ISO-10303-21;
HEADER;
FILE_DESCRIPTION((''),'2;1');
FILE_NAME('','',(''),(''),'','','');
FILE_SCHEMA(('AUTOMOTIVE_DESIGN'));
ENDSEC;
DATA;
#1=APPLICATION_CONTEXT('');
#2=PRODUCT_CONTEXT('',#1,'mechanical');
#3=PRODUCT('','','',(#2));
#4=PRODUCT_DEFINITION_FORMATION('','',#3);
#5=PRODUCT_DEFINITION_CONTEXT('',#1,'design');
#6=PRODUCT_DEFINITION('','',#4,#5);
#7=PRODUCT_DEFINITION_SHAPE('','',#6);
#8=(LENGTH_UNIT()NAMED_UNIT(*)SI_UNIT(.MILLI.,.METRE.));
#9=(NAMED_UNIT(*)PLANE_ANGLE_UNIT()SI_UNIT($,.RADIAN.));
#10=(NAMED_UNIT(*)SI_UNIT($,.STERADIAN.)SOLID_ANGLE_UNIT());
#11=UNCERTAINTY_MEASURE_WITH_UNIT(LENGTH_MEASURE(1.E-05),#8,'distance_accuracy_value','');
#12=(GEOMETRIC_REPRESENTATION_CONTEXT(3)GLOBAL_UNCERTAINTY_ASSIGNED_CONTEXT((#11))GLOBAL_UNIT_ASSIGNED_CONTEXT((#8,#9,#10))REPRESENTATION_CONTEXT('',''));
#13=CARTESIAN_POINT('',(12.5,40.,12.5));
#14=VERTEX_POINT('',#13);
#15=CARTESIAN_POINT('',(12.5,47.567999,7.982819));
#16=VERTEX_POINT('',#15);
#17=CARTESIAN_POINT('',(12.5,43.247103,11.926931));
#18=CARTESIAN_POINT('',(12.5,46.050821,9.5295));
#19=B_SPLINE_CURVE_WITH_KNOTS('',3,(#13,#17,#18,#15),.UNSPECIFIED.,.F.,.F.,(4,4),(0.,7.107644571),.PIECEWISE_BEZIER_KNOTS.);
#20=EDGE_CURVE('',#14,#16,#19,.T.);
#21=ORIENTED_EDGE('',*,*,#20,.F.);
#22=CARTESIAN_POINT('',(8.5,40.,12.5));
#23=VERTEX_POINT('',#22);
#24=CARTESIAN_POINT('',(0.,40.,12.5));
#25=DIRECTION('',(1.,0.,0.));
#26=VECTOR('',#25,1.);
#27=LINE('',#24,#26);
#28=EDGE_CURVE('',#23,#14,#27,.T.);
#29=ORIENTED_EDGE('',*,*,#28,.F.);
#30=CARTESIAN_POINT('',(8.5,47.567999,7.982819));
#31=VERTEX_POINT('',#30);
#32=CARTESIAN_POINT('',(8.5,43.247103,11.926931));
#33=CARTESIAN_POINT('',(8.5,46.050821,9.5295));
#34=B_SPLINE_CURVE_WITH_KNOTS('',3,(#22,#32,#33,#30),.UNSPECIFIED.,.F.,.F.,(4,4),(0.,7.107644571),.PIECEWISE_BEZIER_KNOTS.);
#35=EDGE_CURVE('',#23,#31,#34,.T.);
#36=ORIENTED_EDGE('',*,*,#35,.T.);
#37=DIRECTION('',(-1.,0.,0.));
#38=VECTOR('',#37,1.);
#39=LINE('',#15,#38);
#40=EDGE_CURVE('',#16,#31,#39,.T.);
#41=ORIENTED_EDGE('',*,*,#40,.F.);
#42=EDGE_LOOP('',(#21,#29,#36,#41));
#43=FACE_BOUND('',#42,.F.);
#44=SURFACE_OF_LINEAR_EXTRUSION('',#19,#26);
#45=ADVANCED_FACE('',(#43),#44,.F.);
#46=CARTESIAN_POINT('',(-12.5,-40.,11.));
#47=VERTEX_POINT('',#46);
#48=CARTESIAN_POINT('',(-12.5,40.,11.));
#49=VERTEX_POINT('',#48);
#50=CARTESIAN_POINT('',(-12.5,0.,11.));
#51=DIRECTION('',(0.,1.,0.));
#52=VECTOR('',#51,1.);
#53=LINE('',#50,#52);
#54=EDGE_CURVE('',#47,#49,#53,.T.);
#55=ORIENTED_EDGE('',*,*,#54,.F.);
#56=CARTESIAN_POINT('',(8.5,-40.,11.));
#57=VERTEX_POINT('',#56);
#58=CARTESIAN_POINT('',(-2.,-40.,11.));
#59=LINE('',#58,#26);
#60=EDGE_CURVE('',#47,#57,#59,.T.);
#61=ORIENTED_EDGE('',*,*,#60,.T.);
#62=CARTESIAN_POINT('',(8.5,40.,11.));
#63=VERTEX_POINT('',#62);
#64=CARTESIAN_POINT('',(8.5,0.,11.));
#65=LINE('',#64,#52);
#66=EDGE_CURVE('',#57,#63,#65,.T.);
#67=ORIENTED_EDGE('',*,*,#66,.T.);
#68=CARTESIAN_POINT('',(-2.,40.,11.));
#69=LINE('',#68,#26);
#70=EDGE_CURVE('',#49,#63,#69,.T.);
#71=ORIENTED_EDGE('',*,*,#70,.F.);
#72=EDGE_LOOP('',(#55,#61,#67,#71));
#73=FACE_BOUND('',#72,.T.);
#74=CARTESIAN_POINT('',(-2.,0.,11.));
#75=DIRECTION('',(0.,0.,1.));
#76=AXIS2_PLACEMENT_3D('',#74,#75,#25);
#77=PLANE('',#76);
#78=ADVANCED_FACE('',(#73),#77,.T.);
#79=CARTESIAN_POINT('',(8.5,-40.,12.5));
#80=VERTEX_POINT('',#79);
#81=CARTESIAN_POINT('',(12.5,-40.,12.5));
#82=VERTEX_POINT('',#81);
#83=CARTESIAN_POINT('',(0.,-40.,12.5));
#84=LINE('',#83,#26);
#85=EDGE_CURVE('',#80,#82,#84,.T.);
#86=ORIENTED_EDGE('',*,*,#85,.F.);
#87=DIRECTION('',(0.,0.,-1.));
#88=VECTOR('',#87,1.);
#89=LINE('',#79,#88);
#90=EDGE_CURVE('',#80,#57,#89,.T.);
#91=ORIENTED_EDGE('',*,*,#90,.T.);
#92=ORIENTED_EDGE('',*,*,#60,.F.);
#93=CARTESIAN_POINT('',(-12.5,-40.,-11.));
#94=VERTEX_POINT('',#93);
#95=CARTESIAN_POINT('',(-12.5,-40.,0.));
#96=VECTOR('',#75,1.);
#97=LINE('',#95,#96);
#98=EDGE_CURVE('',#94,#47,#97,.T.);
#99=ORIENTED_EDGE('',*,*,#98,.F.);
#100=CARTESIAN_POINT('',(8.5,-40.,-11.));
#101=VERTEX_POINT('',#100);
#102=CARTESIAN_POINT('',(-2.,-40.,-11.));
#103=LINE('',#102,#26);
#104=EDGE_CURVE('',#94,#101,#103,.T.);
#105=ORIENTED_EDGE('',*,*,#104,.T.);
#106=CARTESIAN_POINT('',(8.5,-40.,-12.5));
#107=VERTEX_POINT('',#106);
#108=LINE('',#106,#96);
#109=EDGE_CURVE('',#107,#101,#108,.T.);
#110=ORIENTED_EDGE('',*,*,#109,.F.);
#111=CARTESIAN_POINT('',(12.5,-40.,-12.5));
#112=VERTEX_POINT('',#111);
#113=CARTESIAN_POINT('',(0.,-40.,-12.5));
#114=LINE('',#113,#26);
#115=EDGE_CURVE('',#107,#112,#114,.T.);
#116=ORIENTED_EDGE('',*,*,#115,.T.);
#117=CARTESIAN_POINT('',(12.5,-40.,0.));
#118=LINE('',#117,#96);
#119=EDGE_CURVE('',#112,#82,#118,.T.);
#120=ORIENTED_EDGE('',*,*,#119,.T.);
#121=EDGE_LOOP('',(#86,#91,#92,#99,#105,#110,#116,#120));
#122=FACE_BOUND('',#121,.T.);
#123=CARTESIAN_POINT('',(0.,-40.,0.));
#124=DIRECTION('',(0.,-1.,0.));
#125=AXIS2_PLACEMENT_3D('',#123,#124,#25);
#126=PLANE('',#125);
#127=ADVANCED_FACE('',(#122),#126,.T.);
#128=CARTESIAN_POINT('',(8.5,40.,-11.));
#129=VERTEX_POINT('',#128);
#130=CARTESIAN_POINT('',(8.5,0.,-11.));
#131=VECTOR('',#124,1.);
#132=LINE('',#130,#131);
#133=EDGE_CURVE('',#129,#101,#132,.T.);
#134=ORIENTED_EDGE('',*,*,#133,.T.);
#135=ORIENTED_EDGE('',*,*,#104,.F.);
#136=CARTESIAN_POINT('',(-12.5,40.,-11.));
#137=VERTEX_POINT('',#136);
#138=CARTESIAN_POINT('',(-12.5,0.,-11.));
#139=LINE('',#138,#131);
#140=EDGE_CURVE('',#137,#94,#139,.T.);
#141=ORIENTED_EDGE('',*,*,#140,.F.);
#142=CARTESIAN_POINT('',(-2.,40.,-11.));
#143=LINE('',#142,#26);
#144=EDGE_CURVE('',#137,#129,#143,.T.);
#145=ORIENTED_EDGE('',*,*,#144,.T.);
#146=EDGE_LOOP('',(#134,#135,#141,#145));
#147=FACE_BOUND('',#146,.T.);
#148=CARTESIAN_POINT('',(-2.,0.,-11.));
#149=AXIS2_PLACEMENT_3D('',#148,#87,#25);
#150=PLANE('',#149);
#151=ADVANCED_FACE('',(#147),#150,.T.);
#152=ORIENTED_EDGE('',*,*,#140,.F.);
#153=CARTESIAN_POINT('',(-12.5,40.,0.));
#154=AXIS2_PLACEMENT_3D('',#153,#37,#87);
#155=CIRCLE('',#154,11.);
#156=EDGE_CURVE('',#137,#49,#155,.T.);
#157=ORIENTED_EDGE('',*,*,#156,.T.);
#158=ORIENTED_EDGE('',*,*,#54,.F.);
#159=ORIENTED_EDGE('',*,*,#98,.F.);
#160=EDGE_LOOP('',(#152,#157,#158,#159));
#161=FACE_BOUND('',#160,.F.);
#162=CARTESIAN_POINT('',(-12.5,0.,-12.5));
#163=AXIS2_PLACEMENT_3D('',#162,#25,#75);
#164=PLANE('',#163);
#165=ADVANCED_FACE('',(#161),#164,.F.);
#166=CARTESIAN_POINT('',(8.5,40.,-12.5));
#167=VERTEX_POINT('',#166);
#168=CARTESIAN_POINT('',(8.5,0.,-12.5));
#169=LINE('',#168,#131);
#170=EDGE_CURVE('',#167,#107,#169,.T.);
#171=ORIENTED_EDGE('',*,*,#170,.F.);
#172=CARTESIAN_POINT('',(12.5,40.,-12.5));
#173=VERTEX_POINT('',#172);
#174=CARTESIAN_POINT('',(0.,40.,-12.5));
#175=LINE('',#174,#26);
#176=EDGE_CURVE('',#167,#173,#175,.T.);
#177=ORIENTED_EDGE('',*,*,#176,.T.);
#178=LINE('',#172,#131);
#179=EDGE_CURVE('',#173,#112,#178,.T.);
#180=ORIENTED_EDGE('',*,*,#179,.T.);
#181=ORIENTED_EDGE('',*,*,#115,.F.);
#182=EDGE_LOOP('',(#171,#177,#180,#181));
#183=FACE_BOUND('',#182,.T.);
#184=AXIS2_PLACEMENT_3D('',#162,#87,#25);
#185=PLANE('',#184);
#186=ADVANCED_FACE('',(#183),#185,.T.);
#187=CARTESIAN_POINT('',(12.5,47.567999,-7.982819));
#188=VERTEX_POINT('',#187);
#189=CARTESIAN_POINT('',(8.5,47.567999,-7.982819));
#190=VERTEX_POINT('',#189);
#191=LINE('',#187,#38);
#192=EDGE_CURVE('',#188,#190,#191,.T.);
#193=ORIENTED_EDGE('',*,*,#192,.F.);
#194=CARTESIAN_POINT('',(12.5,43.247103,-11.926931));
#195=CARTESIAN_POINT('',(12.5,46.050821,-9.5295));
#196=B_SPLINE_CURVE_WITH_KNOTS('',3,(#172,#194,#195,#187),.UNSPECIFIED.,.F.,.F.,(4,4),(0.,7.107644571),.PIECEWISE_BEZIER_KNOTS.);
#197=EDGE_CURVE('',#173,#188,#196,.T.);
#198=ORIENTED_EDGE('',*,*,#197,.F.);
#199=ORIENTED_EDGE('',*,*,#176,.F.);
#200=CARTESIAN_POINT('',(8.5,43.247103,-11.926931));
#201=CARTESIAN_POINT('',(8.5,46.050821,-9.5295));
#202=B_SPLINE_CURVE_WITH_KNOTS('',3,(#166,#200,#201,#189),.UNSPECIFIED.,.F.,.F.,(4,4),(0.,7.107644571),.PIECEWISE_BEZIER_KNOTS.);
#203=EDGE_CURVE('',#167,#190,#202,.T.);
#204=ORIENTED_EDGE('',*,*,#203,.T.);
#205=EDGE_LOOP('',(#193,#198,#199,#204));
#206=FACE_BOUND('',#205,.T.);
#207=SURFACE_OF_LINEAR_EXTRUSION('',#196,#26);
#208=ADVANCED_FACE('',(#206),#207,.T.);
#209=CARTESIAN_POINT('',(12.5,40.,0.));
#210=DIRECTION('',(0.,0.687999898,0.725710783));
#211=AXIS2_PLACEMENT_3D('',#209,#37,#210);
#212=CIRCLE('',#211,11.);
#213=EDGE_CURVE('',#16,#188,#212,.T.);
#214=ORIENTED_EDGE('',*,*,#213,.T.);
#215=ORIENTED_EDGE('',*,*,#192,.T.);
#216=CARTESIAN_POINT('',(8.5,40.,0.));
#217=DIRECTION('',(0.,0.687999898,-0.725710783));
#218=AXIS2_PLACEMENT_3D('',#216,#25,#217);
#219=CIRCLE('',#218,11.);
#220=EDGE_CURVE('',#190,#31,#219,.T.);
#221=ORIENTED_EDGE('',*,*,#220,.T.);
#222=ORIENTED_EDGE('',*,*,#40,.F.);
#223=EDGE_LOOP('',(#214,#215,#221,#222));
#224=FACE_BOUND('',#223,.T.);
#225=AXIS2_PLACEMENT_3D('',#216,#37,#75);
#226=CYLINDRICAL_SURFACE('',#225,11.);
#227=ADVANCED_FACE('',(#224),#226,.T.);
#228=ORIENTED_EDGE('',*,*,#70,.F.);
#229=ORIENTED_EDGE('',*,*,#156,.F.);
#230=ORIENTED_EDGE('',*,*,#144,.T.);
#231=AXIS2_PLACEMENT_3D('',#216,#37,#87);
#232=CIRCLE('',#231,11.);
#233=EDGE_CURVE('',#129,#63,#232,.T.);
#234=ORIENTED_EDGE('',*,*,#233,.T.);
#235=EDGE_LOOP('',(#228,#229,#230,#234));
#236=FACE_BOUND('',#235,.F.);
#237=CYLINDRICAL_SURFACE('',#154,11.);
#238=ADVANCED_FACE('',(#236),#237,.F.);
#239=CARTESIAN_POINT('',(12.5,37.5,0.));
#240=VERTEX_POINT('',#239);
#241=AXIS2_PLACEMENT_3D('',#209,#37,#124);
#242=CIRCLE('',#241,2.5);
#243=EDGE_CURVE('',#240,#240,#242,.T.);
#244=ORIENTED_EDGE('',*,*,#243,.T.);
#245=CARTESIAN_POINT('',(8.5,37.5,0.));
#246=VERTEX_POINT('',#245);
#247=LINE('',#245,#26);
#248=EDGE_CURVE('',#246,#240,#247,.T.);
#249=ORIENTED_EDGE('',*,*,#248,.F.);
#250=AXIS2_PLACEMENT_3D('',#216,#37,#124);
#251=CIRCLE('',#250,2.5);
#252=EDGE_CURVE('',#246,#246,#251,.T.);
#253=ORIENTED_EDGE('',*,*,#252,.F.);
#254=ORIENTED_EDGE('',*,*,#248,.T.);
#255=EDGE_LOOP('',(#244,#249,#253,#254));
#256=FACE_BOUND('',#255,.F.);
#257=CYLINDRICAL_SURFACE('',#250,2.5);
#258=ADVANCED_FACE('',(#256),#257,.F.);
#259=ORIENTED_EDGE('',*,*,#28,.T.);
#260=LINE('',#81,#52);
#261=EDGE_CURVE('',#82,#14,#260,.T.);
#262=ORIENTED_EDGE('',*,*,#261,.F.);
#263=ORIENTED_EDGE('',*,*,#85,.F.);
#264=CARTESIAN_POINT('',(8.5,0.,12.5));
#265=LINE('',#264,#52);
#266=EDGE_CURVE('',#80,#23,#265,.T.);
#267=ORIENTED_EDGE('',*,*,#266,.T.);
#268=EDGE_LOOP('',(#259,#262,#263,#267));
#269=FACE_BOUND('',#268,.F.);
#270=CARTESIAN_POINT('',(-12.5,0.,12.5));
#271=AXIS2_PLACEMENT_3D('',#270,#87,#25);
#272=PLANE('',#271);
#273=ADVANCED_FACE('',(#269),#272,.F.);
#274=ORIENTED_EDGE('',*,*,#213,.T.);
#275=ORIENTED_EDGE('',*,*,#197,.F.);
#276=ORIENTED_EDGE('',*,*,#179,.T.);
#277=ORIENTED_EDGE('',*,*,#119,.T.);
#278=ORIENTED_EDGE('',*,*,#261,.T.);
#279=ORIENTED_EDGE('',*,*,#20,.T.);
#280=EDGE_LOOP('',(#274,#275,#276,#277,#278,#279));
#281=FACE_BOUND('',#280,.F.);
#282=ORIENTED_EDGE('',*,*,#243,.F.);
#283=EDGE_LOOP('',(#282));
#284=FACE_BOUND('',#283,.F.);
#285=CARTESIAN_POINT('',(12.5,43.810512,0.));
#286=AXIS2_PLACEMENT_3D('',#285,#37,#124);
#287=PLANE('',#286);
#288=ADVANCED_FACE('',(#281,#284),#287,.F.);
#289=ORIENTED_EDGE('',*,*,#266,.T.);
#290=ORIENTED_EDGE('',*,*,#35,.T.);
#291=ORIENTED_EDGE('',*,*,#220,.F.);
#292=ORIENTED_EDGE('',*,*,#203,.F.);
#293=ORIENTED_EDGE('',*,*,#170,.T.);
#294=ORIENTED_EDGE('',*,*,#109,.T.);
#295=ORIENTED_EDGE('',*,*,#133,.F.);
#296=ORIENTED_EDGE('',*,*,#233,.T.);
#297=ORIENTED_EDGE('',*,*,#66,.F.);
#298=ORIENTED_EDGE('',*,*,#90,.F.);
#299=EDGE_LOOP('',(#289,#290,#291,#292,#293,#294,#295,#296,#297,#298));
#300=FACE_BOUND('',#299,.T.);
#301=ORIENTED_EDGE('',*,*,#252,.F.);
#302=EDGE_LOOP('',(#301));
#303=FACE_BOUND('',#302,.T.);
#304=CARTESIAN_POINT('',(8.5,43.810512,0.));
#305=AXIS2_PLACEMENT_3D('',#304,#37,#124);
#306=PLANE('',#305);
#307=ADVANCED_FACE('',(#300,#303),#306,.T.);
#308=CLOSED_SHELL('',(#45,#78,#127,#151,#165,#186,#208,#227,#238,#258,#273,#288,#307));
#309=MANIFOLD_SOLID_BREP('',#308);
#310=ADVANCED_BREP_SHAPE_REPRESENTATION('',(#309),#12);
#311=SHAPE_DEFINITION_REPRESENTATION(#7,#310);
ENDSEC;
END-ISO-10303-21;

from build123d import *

# Parameters (mm, degrees)
F0_W      = 25
F0_H      = 25
F1_DEPTH  = 40
F2_W      = 21
F2_H      = 80
F3_DEPTH  = 1.5
F4_W      = 21
F4_H      = 80
F5_DEPTH  = 1.5
F7_DEPTH  = 21
F9_DEPTH  = 4
F10_R     = 2.5
F11_DEPTH = 4.001
F13_DEPTH = 4


with BuildPart() as f1:
    # F0 (on Front) → F1 (new body, symmetric)
    with BuildSketch(Plane.XZ):
        Rectangle(F0_W, F0_H)
    extrude(amount=F1_DEPTH, both=True)

    # F2 (on face) → F3 (cut)
    with BuildSketch(Plane.XY.offset(12.5)):
        with Locations((-2, 0)):
            Rectangle(F2_W, F2_H)
    extrude(amount=-F3_DEPTH, mode=Mode.SUBTRACT)

    # F4 (on face) → F5 (cut)
    with BuildSketch(Plane(origin=(0, 0, -12.5), x_dir=(1, 0, 0), z_dir=(0, 0, -1))):
        with Locations((-2, 0)):
            Rectangle(F4_W, F4_H)
    extrude(amount=-F5_DEPTH, mode=Mode.SUBTRACT)

    # F6 (on face) → F7 (cut)
    with BuildSketch(Plane(origin=(-12.5, 0, 0), x_dir=(0, -1, 0), z_dir=(-1, 0, 0))):
        with BuildLine():
            Line((-40, 11), (-40, -11))
            ThreePointArc((-40, -11), (-29, 0), (-40, 11))
        make_face()
    extrude(amount=-F7_DEPTH, mode=Mode.SUBTRACT)

    # F8 (on face) → F9 (join)
    with BuildSketch(Plane(origin=(8.5, 0, 0), x_dir=(0, -1, 0), z_dir=(-1, 0, 0))):
        with BuildLine():
            Line((-40, -11), (-40, 11))
            ThreePointArc((-40, 11), (-51, 0), (-40, -11))
        make_face()
    extrude(amount=-F9_DEPTH)

    # F10 (on face) → F11 (cut, through all)
    with BuildSketch(Plane(origin=(8.5, 0, 0), x_dir=(0, -1, 0), z_dir=(-1, 0, 0))):
        with Locations((-40, 0)):
            Circle(F10_R)
    extrude(amount=-F11_DEPTH, mode=Mode.SUBTRACT)

    # F12 (on face) → F13 (join)
    with BuildSketch(Plane.YZ.offset(12.5)):
        with BuildLine():
            ThreePointArc((48.771264901, 6.6381407063), (48.1972510553, 7.3351942808), (47.5679988761, 7.9828186132))
            add(Edge.make_bspline(
                [(47.5679988761, 7.9828186132), (48.3027333045, 7.2337960601), (48.7357424374, 6.6842950025), (48.771264901, 6.6381407063)],
                knots=[7.1076445711, 7.1076445711, 7.1076445711, 7.1076445711, 10.5497147991, 10.5497147991, 10.5497147991, 10.5497147991], degree=3))
        make_face()
        with BuildLine():
            add(Edge.make_bspline(
                [(40, 12.5), (43.2471029485, 11.9269308431), (46.0508214725, 9.5295000376), (47.5679988761, 7.9828186132)],
                knots=[0, 0, 0, 0, 7.1076445711, 7.1076445711, 7.1076445711, 7.1076445711], degree=3))
            Line((40, 12.5), (40, 11))
            ThreePointArc((40, 11), (44.0736344494, 10.2179010747), (47.5679988761, 7.9828186132))
        make_face()
        with BuildLine():
            add(Edge.make_bspline(
                [(47.5679988761, -7.9828186132), (48.3027333045, -7.2337960601), (48.7357424374, -6.6842950025), (48.771264901, -6.6381407063)],
                knots=[7.1076445711, 7.1076445711, 7.1076445711, 7.1076445711, 10.5497147991, 10.5497147991, 10.5497147991, 10.5497147991], degree=3))
            ThreePointArc((47.5679988761, -7.9828186132), (48.1972510553, -7.3351942808), (48.771264901, -6.6381407063))
        make_face()
        with BuildLine():
            Line((40, -11), (40, -12.5))
            add(Edge.make_bspline(
                [(40, -12.5), (43.2471029485, -11.9269308431), (46.0508214725, -9.5295000376), (47.5679988761, -7.9828186132)],
                knots=[0, 0, 0, 0, 7.1076445711, 7.1076445711, 7.1076445711, 7.1076445711], degree=3))
            ThreePointArc((47.5679988761, -7.9828186132), (44.0736344494, -10.2179010747), (40, -11))
        make_face()
    extrude(amount=-F13_DEPTH)


solid = f1.part
